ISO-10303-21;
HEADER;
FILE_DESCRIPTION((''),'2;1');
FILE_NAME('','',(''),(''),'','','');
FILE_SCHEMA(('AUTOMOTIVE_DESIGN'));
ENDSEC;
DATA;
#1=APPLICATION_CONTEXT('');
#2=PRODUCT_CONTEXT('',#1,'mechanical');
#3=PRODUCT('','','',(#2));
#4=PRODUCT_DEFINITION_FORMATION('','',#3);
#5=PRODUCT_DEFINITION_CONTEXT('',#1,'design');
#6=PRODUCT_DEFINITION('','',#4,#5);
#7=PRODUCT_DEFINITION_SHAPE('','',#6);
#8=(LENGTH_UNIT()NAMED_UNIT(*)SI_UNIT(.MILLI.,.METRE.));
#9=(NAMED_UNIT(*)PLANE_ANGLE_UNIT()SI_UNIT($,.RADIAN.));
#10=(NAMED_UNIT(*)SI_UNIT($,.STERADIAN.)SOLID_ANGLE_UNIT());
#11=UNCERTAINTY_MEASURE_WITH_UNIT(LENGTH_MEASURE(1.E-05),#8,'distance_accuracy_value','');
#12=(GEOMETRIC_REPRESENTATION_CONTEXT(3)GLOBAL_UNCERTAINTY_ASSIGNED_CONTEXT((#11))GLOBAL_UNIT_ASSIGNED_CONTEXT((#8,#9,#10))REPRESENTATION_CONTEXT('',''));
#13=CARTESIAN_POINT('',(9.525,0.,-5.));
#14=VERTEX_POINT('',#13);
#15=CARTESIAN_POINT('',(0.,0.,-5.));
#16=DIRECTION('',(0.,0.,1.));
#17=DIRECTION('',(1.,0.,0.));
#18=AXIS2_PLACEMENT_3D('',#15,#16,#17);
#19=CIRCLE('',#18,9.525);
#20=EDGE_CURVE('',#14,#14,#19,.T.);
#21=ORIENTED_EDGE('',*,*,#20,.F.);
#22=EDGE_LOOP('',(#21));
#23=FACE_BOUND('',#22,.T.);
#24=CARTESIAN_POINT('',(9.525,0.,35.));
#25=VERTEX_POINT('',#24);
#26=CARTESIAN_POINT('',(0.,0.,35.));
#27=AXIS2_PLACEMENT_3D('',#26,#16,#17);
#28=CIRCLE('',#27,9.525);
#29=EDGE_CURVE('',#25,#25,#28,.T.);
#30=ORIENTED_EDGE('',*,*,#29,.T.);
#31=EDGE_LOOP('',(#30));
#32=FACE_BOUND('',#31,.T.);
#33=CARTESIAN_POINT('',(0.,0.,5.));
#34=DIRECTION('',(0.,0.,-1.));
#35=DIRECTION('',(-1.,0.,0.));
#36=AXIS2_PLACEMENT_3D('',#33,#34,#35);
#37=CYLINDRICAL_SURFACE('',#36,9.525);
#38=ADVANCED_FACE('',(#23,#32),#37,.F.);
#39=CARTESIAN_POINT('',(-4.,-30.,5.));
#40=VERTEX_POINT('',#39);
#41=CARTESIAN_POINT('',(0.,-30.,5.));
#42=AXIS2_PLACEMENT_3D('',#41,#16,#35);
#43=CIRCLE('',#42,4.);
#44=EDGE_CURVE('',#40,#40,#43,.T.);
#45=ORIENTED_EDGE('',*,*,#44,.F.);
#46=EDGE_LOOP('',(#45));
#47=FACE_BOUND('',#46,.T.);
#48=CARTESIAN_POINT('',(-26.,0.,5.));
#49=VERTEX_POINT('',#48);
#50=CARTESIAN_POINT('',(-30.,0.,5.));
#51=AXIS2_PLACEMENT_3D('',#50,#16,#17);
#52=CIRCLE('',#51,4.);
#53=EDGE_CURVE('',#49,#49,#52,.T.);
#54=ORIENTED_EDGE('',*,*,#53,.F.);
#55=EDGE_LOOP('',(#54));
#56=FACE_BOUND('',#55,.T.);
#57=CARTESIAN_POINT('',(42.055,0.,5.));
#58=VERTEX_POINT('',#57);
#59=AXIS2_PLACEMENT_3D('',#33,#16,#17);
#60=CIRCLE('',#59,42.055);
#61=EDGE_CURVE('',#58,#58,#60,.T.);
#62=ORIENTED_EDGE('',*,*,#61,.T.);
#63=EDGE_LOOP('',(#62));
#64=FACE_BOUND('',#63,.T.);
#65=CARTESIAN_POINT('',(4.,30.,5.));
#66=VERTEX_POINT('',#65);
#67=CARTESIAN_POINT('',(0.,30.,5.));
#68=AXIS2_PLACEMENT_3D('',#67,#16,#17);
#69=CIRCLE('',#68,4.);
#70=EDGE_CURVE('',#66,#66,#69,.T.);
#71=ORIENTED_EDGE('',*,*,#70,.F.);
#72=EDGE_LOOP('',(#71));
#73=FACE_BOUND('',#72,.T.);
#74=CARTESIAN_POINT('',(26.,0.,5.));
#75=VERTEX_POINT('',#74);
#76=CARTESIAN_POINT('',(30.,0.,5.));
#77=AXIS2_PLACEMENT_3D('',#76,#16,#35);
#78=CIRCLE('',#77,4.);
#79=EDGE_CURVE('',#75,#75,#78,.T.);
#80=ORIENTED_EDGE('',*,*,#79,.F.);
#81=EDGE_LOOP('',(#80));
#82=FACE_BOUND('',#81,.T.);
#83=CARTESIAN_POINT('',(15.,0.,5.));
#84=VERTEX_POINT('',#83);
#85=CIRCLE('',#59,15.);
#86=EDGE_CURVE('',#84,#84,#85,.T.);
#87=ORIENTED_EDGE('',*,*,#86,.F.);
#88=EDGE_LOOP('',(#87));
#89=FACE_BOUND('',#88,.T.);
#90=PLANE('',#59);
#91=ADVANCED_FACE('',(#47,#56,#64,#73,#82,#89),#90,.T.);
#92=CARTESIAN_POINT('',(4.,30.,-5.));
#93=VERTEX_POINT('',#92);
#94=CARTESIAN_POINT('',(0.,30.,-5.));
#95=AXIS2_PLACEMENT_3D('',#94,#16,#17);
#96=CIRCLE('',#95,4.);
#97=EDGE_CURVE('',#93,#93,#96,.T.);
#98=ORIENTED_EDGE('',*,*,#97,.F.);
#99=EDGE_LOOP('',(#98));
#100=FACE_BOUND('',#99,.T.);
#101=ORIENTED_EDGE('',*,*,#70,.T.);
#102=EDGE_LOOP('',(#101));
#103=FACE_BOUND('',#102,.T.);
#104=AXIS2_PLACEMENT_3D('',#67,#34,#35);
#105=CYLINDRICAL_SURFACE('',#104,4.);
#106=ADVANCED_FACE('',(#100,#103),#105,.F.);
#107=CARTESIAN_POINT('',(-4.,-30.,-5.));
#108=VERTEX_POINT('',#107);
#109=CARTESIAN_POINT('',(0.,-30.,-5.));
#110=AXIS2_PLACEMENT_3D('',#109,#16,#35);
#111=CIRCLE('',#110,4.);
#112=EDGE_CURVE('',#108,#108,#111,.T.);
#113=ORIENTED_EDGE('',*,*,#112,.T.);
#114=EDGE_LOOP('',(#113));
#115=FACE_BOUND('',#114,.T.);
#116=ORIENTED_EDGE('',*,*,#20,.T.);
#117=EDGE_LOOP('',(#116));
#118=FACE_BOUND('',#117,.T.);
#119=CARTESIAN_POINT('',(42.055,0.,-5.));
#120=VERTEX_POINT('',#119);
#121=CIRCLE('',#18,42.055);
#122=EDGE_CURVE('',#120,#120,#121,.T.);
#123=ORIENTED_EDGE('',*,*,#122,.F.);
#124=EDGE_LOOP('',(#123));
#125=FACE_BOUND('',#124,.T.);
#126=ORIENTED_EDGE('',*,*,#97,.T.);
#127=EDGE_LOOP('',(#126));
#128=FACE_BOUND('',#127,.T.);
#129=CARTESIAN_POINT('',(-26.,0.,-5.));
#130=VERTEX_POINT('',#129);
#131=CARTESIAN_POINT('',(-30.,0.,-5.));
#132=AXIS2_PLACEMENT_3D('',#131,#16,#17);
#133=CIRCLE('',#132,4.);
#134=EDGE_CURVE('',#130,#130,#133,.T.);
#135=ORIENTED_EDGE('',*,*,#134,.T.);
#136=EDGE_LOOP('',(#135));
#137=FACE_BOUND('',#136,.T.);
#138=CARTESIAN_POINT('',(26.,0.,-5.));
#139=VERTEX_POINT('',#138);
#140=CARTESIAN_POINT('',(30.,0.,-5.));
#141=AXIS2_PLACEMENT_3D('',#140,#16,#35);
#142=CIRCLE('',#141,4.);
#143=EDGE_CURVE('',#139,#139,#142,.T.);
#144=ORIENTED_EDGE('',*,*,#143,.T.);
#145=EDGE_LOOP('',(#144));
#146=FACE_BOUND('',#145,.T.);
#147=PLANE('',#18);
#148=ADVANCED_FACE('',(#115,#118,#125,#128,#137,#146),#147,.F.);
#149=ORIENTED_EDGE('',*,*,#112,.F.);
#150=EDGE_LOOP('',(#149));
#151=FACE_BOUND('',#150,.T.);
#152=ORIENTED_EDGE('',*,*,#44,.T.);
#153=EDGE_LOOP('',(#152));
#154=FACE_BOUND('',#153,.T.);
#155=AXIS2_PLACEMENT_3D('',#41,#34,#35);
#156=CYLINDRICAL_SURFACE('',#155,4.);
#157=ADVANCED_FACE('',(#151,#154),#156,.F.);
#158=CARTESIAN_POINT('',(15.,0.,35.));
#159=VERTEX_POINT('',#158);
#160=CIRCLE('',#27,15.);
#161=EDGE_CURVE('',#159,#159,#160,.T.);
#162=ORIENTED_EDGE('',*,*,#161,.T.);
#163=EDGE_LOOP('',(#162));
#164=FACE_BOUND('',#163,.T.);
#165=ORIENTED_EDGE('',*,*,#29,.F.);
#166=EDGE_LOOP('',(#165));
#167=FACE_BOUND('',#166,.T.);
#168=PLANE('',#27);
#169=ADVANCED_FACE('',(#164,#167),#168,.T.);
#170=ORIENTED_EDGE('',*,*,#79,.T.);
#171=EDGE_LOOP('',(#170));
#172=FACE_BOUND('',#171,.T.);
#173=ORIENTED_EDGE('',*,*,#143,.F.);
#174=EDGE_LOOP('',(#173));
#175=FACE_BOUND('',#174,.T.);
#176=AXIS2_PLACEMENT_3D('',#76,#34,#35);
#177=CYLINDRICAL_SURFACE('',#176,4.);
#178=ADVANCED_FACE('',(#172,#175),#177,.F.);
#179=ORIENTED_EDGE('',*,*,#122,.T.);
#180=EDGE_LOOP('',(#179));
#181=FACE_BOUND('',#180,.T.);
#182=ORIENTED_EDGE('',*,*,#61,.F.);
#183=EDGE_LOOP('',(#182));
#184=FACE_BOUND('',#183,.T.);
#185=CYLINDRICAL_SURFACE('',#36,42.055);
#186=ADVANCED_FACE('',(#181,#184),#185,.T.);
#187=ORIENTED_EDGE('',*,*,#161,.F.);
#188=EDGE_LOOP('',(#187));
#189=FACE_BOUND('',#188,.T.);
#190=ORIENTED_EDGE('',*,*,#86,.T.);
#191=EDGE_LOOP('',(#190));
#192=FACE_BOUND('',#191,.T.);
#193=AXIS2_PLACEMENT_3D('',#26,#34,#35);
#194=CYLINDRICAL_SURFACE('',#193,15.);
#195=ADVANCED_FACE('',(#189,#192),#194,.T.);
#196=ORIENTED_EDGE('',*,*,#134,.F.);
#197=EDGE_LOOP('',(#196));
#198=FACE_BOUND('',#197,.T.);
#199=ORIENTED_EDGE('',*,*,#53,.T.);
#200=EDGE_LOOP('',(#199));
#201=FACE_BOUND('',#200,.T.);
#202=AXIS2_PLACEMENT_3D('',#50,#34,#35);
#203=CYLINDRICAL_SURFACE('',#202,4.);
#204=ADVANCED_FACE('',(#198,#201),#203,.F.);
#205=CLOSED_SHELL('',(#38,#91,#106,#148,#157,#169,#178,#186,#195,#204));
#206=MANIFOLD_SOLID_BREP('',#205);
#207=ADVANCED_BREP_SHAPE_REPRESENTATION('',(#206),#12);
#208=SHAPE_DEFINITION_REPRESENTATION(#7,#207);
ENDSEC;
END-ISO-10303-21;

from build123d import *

# Parameters (mm, degrees)
SKETCH1_R           = 42.055
SKETCH1_R_2         = 9.525
SKETCH1_R_3         = 4
BOSS_EXTRUDE1_DEPTH = 5
SKETCH2_R           = 15
BOSS_EXTRUDE2_DEPTH = 30
SKETCH3_R           = 9.525
CUT_EXTRUDE1_DEPTH  = 72.674584408


with BuildPart() as part:
    # Sketch1 → Boss-Extrude1 (new, symmetric)
    with BuildSketch(Plane.XY):
        Circle(SKETCH1_R)
        Circle(SKETCH1_R_2, mode=Mode.SUBTRACT)
        with Locations((0, 30)):
            Circle(SKETCH1_R_3, mode=Mode.SUBTRACT)
        with Locations((-30, 0)):
            Circle(SKETCH1_R_3, mode=Mode.SUBTRACT)
        with Locations(Location((0, -30, 0), (0, 0, 180))):
            Circle(SKETCH1_R_3, mode=Mode.SUBTRACT)
        with Locations(Location((30, 0, 0), (0, 0, 180))):
            Circle(SKETCH1_R_3, mode=Mode.SUBTRACT)
    extrude(amount=BOSS_EXTRUDE1_DEPTH, both=True)

    # Sketch2 → Boss-Extrude2 (add)
    with BuildSketch(Plane.XY.offset(5)):
        Circle(SKETCH2_R)
    extrude(amount=BOSS_EXTRUDE2_DEPTH)

    # Sketch3 → Cut-Extrude1 (cut, through all)
    with BuildSketch(Plane.XY.offset(35)):
        Circle(SKETCH3_R)
    extrude(amount=-CUT_EXTRUDE1_DEPTH, mode=Mode.SUBTRACT)


solid = part.part
